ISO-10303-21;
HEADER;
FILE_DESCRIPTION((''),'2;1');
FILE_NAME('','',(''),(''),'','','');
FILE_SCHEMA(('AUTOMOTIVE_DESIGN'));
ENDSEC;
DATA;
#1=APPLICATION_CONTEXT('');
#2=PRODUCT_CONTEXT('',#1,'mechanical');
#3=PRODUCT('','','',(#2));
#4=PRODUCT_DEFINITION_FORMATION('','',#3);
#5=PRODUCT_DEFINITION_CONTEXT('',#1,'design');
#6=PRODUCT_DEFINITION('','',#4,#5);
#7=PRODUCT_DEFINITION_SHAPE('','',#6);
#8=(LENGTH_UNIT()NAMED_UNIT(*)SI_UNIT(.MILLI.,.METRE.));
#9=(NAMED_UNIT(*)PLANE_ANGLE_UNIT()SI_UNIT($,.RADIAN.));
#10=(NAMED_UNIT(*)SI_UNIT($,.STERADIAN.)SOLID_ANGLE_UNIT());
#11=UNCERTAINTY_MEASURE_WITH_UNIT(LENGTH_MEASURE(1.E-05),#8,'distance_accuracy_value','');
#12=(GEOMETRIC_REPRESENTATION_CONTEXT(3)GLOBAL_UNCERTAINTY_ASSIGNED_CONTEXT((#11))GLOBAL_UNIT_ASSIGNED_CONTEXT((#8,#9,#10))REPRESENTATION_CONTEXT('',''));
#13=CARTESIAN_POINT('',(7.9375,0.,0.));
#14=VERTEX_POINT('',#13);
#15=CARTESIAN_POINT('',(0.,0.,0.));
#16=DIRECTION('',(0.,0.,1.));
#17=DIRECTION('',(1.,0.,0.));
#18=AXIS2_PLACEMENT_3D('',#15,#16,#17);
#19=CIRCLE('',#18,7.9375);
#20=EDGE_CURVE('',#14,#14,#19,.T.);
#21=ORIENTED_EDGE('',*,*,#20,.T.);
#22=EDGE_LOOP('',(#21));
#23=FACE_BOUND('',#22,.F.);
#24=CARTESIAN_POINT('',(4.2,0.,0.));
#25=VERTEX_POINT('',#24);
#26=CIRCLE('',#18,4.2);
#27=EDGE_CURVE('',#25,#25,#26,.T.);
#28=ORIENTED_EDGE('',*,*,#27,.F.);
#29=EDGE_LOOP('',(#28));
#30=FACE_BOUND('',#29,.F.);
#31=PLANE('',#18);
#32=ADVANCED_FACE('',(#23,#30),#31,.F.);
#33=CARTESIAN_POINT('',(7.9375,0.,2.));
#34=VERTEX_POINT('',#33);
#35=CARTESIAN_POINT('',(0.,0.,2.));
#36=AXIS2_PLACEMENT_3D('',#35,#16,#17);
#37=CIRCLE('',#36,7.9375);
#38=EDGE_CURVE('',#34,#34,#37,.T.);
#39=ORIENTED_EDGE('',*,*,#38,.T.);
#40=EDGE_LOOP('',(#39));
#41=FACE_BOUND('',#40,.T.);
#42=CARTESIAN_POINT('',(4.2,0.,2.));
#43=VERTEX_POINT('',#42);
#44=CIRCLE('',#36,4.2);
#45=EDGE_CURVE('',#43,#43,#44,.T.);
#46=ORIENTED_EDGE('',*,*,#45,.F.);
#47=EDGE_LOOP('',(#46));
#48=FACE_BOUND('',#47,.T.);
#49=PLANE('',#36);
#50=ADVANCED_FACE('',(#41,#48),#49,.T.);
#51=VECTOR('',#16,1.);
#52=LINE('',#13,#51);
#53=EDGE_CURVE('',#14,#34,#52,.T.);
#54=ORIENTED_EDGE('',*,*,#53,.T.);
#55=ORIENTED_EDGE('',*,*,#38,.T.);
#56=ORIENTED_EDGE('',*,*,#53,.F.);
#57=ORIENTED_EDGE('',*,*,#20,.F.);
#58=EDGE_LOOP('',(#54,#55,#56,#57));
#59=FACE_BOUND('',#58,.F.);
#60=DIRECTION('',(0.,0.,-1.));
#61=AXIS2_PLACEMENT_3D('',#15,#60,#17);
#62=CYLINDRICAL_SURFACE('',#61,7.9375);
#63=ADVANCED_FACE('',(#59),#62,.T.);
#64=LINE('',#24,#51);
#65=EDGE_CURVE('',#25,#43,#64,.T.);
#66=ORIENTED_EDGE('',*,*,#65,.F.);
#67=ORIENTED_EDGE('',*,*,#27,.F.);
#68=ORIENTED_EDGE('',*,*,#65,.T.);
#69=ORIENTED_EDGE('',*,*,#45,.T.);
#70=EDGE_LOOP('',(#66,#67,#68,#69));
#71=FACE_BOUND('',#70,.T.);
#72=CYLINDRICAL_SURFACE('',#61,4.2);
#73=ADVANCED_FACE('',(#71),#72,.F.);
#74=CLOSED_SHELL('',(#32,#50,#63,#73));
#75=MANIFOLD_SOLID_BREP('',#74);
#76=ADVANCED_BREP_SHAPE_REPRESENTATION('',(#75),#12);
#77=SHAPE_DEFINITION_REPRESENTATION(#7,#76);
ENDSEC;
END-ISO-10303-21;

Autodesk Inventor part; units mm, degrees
ref_plane "YZ Plane" through (0, 0, 0) normal (1, 0, 0) x (0, 1, 0)
ref_plane "XZ Plane" through (0, 0, 0) normal (0, 1, 0) x (-1, 0, 0)
ref_plane "XY Plane" through (0, 0, 0) normal (0, 0, 1) x (1, 0, 0)
sketch "Sketch1" plane through (0, 0, 0) normal (0, 0, 1) x (1, 0, 0)
  circle A0 centre (0, 0) radius 7.9375
  circle A1 centre (0, 0) radius 4.2
  dimension "d0" = 15.875
  dimension "d1" = 8.4
extrude "Extrusion1" add sketch "Sketch1" along normal blind 2
properties part number "WASHER,FLAT,Z, M8" material "Acetal Resin, Black"
